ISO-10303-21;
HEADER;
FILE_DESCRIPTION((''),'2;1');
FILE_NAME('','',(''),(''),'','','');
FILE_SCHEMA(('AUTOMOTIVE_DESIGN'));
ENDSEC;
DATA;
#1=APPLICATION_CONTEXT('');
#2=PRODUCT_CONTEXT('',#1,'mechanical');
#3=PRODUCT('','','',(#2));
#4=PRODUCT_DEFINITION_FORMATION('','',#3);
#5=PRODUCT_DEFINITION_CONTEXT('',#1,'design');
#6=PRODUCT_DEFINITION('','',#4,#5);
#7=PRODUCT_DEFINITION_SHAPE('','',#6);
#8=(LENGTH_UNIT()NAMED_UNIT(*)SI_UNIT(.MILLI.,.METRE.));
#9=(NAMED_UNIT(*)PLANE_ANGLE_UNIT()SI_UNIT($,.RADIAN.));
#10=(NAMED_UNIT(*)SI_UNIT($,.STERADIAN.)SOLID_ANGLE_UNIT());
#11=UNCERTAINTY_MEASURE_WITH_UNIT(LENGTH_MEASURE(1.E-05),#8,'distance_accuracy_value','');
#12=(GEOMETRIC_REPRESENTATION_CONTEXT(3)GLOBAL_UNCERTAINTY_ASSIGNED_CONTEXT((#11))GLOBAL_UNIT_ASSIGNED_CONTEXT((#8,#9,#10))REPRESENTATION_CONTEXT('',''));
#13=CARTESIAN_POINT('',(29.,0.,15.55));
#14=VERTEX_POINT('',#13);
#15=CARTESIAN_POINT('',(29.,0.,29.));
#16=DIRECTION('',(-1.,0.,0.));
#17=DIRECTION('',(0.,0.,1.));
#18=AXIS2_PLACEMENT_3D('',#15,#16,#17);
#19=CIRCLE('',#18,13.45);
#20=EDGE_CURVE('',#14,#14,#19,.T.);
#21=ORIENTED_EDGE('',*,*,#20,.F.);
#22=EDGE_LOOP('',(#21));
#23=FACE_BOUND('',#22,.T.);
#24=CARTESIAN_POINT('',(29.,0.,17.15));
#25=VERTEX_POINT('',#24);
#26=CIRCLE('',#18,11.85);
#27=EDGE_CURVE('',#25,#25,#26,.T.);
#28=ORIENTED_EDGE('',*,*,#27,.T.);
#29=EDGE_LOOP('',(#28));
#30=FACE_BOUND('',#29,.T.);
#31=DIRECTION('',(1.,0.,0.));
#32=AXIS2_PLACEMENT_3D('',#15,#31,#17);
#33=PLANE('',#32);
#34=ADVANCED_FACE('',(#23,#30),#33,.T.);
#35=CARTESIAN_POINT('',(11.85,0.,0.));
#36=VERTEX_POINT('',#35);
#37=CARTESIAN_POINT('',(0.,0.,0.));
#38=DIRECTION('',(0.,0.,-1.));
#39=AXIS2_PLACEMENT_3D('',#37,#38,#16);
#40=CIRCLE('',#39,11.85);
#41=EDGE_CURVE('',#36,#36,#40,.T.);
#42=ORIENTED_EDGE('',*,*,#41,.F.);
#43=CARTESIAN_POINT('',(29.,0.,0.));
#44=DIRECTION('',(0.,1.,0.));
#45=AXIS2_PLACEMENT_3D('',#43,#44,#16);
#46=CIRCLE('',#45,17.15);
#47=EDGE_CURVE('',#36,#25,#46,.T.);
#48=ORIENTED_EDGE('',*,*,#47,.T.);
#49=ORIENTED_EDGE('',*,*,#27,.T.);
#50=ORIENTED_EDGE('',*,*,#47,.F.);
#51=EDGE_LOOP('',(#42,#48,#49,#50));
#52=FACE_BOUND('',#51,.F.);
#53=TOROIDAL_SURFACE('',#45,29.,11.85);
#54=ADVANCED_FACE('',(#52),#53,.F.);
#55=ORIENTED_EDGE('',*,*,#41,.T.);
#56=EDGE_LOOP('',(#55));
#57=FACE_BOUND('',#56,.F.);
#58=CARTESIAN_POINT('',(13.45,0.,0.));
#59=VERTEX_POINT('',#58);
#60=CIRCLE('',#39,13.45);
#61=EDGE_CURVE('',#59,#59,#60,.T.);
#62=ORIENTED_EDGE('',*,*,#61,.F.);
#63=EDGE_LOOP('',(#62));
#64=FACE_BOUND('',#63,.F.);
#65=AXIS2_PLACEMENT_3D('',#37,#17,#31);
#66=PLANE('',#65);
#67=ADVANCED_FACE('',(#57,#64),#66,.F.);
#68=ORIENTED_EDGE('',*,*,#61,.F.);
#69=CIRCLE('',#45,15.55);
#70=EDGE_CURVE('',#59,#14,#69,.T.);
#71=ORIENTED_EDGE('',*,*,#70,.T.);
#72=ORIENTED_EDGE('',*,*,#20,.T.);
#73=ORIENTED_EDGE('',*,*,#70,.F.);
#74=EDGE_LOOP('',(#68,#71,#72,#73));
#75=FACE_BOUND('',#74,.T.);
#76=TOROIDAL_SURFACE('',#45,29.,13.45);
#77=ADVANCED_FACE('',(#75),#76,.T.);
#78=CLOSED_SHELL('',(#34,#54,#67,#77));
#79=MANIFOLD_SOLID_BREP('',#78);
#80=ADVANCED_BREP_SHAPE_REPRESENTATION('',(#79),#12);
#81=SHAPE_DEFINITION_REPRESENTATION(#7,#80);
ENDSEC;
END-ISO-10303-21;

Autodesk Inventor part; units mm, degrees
ref_plane "YZ Plane" through (0, 0, 0) normal (1, 0, 0) x (0, 1, 0)
ref_plane "XZ Plane" through (0, 0, 0) normal (0, 1, 0) x (-1, 0, 0)
ref_plane "XY Plane" through (0, 0, 0) normal (0, 0, 1) x (1, 0, 0)
sketch "Sketch1" plane through (0, 0, 0) normal (0, 0, 1) x (1, 0, 0)
  circle A0 centre (0, 0) radius 11.85
  circle A1 centre (0, 0) radius 13.45
  dimension "d0" = 23.7
  dimension "d1" = 26.9
sketch "Sketch2" plane through (0, 0, 0) normal (0, 1, 0) x (-1, 0, 0)
  line L0 (0, 0) -> (0, 29) construction
  line L1 (0, 29) -> (-29, 29) construction
  arc A0 (0, 0) -> (-29, 29) centre (-29, 0) ccw
  dimension "d2" = 29
  dimension "d3" = 29
sweep "Sweep1" add profiles "Sketch1" path "Sketch2"
equation "\"d0\" = -2 * s1 + da"
equation "\"d1\" = da"
equation "\"d2\" = r"
equation "\"d3\" = r"
equation "\"da\" = 26.9"
equation "\"r\" = 29"
equation "\"s1\" = 1.6"
equation "\"Size_Designation\" = 1.2345"
properties part number "DIN 2605 90 Deg Elbow Type 3 26.9 - 1.6S" material "Steel"
